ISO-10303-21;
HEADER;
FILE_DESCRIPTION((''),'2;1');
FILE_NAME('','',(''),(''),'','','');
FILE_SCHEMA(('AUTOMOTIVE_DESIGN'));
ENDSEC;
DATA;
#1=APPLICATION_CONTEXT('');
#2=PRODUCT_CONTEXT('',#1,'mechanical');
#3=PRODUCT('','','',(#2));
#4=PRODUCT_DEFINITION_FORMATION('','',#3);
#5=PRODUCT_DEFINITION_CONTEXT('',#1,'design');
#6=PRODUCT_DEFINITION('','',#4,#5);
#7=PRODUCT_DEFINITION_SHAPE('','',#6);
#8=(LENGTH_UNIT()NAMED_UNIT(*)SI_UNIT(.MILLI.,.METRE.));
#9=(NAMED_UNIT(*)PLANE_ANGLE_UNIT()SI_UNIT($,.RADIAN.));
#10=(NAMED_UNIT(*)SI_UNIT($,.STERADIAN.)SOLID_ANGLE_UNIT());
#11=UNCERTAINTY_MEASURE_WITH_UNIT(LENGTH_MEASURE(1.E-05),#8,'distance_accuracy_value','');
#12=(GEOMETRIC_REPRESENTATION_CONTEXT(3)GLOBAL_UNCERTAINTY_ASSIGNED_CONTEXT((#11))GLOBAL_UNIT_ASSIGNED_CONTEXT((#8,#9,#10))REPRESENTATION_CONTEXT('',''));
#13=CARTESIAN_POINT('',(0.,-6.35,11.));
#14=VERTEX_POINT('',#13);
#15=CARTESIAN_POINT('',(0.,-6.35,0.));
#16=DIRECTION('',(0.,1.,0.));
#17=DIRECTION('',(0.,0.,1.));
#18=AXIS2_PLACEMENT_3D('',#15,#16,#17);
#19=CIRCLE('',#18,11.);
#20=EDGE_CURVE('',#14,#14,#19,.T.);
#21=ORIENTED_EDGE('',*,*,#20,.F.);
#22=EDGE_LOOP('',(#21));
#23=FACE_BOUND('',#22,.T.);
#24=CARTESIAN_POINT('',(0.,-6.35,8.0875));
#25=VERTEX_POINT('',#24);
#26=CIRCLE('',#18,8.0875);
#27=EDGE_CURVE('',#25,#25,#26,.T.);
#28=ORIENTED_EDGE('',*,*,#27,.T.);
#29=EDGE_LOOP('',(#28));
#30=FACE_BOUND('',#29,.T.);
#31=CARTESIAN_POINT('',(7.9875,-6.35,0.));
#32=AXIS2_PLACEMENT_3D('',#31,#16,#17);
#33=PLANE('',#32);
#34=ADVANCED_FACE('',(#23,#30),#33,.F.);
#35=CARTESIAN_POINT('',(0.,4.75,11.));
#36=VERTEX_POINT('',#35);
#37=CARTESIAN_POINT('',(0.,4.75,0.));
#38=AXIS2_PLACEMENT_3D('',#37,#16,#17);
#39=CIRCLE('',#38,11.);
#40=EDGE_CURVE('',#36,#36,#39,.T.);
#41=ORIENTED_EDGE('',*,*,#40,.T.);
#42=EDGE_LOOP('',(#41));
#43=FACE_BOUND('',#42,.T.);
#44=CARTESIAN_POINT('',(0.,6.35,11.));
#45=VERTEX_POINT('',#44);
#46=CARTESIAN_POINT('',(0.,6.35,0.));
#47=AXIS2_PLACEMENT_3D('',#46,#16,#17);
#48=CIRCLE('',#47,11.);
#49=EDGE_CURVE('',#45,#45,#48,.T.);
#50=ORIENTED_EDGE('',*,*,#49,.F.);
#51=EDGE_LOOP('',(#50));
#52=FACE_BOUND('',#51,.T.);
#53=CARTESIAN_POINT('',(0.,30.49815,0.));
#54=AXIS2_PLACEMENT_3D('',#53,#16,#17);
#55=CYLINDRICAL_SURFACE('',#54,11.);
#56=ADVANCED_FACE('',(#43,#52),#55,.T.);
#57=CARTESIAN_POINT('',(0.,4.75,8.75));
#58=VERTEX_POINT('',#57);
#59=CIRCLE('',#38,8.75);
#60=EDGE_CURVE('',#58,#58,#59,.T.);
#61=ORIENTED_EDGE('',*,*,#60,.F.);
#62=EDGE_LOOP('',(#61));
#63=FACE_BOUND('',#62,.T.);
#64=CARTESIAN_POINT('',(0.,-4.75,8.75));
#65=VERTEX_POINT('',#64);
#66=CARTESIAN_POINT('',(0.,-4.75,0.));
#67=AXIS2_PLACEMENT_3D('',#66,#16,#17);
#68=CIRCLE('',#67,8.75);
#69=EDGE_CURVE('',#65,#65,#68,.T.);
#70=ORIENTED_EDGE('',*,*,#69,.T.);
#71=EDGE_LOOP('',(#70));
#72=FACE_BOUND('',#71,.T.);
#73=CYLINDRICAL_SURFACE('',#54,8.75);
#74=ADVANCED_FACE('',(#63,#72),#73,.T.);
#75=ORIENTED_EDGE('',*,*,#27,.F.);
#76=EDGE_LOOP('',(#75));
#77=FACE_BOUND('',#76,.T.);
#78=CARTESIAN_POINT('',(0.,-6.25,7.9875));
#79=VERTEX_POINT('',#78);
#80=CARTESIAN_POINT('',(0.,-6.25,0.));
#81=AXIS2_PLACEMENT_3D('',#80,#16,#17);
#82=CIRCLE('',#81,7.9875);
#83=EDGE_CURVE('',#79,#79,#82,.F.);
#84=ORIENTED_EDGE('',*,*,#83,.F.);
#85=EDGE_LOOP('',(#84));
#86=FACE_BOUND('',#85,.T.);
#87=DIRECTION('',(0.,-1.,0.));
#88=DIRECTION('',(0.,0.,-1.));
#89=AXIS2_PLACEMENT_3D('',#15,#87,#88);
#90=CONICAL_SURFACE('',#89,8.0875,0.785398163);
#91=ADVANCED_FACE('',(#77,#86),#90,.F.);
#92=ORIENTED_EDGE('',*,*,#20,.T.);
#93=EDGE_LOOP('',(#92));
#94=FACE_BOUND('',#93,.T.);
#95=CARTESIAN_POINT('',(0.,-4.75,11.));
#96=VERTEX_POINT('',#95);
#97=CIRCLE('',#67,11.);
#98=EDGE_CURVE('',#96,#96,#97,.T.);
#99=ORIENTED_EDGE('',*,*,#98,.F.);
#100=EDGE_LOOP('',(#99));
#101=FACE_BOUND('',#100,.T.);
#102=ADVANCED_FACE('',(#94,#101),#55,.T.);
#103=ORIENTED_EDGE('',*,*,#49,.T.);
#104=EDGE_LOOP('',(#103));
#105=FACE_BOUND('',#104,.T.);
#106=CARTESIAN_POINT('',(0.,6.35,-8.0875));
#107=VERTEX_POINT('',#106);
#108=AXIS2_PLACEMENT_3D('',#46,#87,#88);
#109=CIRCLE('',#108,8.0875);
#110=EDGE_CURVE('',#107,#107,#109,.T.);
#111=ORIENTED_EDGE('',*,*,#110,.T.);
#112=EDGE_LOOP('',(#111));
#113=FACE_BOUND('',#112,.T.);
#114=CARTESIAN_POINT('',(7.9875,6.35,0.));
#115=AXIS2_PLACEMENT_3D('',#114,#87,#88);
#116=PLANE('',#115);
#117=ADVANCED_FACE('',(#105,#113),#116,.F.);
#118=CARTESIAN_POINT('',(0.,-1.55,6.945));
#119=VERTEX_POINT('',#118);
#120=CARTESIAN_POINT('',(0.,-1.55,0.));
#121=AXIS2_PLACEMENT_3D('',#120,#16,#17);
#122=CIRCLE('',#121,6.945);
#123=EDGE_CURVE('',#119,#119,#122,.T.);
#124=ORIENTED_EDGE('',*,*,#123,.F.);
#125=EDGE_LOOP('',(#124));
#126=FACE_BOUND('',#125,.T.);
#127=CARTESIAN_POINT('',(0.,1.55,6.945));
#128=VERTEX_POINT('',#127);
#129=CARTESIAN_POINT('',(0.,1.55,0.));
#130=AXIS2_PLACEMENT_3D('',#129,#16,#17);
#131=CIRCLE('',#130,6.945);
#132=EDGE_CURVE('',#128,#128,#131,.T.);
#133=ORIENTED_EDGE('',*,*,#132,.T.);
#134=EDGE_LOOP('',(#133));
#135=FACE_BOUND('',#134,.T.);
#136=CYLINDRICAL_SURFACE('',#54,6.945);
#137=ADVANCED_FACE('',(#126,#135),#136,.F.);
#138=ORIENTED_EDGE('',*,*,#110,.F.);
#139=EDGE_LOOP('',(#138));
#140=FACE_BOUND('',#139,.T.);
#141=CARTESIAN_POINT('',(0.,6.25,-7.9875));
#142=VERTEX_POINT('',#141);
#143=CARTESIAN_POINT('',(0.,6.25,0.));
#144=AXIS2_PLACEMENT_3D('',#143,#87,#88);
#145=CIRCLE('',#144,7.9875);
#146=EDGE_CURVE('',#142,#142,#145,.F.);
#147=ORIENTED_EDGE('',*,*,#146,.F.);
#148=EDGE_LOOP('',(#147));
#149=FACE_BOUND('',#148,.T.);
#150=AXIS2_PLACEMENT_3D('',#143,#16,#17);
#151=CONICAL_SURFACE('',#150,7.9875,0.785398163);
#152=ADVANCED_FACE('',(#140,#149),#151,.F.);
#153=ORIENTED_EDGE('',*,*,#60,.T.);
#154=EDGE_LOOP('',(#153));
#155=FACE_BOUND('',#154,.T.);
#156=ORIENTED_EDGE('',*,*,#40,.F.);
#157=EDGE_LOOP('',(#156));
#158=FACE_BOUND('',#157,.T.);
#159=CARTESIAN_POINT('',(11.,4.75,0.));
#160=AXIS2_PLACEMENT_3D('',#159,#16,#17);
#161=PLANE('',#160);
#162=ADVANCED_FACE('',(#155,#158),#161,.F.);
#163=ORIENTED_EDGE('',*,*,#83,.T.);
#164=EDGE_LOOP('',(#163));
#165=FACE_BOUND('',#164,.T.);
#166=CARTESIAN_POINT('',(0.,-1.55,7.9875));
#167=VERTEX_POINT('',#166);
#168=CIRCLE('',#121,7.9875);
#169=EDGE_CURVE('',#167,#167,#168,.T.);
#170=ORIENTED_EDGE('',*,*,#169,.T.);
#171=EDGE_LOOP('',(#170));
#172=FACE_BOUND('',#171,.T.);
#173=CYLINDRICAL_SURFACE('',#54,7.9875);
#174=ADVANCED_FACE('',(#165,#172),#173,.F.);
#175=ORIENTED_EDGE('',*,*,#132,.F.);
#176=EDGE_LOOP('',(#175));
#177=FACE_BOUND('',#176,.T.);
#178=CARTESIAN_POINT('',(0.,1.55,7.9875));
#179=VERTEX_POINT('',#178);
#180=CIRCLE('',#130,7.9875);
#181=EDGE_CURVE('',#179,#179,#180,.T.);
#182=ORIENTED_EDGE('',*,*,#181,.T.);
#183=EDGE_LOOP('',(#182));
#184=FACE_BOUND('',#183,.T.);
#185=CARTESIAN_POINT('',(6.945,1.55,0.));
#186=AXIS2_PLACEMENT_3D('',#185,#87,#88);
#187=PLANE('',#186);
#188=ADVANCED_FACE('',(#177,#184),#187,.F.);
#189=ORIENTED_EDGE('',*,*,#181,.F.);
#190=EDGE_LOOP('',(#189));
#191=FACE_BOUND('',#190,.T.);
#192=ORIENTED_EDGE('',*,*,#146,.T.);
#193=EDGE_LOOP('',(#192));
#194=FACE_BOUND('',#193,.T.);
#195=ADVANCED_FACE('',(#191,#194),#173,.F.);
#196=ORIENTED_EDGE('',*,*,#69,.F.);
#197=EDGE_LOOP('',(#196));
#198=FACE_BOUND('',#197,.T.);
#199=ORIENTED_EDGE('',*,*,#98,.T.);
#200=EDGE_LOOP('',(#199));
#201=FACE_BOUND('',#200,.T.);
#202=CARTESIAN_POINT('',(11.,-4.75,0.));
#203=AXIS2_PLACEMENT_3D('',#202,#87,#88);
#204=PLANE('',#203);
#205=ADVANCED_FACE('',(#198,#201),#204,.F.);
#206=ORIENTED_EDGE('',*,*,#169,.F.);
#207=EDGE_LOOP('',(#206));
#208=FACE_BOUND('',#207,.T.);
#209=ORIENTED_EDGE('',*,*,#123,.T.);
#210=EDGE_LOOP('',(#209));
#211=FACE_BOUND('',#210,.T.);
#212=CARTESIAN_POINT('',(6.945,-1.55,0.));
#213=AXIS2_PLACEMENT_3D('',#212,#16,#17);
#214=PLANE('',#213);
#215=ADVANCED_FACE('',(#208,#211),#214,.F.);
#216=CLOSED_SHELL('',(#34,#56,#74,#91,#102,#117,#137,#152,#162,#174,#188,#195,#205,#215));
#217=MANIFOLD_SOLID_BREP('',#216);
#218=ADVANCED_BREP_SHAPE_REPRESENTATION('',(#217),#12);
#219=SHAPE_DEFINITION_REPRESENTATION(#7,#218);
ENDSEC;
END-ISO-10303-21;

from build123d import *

# Parameters (mm, degrees)
CHAMFER1_SIZE = 0.1
CHAMFER2_SIZE = 0.1


with BuildPart() as part:
    # Sketch2 → Revolve1 (revolve)
    with BuildSketch(Plane.XY):
        Polygon((6.945, -1.55), (6.945, 1.55), (7.9875, 1.55), (7.9875, 6.35), (11, 6.35), (11, 4.75), (8.75, 4.75), (8.75, -4.75), (11, -4.75), (11, -6.35), (7.9875, -6.35), (7.9875, -1.55), align=None)
    revolve(axis=Axis((0, 30.498149714, 0), (0, -1, 0)))

    # Chamfer1
    chamfer1_edges = [part.edges().sort_by_distance(p)[0] for p in [
        (-7.9875, 6.35, 0),
    ]]
    chamfer(chamfer1_edges, length=CHAMFER1_SIZE)

    # Chamfer2
    chamfer2_edges = [part.edges().sort_by_distance(p)[0] for p in [
        (-7.9875, -6.35, 0),
    ]]
    chamfer(chamfer2_edges, length=CHAMFER2_SIZE)


solid = part.part
